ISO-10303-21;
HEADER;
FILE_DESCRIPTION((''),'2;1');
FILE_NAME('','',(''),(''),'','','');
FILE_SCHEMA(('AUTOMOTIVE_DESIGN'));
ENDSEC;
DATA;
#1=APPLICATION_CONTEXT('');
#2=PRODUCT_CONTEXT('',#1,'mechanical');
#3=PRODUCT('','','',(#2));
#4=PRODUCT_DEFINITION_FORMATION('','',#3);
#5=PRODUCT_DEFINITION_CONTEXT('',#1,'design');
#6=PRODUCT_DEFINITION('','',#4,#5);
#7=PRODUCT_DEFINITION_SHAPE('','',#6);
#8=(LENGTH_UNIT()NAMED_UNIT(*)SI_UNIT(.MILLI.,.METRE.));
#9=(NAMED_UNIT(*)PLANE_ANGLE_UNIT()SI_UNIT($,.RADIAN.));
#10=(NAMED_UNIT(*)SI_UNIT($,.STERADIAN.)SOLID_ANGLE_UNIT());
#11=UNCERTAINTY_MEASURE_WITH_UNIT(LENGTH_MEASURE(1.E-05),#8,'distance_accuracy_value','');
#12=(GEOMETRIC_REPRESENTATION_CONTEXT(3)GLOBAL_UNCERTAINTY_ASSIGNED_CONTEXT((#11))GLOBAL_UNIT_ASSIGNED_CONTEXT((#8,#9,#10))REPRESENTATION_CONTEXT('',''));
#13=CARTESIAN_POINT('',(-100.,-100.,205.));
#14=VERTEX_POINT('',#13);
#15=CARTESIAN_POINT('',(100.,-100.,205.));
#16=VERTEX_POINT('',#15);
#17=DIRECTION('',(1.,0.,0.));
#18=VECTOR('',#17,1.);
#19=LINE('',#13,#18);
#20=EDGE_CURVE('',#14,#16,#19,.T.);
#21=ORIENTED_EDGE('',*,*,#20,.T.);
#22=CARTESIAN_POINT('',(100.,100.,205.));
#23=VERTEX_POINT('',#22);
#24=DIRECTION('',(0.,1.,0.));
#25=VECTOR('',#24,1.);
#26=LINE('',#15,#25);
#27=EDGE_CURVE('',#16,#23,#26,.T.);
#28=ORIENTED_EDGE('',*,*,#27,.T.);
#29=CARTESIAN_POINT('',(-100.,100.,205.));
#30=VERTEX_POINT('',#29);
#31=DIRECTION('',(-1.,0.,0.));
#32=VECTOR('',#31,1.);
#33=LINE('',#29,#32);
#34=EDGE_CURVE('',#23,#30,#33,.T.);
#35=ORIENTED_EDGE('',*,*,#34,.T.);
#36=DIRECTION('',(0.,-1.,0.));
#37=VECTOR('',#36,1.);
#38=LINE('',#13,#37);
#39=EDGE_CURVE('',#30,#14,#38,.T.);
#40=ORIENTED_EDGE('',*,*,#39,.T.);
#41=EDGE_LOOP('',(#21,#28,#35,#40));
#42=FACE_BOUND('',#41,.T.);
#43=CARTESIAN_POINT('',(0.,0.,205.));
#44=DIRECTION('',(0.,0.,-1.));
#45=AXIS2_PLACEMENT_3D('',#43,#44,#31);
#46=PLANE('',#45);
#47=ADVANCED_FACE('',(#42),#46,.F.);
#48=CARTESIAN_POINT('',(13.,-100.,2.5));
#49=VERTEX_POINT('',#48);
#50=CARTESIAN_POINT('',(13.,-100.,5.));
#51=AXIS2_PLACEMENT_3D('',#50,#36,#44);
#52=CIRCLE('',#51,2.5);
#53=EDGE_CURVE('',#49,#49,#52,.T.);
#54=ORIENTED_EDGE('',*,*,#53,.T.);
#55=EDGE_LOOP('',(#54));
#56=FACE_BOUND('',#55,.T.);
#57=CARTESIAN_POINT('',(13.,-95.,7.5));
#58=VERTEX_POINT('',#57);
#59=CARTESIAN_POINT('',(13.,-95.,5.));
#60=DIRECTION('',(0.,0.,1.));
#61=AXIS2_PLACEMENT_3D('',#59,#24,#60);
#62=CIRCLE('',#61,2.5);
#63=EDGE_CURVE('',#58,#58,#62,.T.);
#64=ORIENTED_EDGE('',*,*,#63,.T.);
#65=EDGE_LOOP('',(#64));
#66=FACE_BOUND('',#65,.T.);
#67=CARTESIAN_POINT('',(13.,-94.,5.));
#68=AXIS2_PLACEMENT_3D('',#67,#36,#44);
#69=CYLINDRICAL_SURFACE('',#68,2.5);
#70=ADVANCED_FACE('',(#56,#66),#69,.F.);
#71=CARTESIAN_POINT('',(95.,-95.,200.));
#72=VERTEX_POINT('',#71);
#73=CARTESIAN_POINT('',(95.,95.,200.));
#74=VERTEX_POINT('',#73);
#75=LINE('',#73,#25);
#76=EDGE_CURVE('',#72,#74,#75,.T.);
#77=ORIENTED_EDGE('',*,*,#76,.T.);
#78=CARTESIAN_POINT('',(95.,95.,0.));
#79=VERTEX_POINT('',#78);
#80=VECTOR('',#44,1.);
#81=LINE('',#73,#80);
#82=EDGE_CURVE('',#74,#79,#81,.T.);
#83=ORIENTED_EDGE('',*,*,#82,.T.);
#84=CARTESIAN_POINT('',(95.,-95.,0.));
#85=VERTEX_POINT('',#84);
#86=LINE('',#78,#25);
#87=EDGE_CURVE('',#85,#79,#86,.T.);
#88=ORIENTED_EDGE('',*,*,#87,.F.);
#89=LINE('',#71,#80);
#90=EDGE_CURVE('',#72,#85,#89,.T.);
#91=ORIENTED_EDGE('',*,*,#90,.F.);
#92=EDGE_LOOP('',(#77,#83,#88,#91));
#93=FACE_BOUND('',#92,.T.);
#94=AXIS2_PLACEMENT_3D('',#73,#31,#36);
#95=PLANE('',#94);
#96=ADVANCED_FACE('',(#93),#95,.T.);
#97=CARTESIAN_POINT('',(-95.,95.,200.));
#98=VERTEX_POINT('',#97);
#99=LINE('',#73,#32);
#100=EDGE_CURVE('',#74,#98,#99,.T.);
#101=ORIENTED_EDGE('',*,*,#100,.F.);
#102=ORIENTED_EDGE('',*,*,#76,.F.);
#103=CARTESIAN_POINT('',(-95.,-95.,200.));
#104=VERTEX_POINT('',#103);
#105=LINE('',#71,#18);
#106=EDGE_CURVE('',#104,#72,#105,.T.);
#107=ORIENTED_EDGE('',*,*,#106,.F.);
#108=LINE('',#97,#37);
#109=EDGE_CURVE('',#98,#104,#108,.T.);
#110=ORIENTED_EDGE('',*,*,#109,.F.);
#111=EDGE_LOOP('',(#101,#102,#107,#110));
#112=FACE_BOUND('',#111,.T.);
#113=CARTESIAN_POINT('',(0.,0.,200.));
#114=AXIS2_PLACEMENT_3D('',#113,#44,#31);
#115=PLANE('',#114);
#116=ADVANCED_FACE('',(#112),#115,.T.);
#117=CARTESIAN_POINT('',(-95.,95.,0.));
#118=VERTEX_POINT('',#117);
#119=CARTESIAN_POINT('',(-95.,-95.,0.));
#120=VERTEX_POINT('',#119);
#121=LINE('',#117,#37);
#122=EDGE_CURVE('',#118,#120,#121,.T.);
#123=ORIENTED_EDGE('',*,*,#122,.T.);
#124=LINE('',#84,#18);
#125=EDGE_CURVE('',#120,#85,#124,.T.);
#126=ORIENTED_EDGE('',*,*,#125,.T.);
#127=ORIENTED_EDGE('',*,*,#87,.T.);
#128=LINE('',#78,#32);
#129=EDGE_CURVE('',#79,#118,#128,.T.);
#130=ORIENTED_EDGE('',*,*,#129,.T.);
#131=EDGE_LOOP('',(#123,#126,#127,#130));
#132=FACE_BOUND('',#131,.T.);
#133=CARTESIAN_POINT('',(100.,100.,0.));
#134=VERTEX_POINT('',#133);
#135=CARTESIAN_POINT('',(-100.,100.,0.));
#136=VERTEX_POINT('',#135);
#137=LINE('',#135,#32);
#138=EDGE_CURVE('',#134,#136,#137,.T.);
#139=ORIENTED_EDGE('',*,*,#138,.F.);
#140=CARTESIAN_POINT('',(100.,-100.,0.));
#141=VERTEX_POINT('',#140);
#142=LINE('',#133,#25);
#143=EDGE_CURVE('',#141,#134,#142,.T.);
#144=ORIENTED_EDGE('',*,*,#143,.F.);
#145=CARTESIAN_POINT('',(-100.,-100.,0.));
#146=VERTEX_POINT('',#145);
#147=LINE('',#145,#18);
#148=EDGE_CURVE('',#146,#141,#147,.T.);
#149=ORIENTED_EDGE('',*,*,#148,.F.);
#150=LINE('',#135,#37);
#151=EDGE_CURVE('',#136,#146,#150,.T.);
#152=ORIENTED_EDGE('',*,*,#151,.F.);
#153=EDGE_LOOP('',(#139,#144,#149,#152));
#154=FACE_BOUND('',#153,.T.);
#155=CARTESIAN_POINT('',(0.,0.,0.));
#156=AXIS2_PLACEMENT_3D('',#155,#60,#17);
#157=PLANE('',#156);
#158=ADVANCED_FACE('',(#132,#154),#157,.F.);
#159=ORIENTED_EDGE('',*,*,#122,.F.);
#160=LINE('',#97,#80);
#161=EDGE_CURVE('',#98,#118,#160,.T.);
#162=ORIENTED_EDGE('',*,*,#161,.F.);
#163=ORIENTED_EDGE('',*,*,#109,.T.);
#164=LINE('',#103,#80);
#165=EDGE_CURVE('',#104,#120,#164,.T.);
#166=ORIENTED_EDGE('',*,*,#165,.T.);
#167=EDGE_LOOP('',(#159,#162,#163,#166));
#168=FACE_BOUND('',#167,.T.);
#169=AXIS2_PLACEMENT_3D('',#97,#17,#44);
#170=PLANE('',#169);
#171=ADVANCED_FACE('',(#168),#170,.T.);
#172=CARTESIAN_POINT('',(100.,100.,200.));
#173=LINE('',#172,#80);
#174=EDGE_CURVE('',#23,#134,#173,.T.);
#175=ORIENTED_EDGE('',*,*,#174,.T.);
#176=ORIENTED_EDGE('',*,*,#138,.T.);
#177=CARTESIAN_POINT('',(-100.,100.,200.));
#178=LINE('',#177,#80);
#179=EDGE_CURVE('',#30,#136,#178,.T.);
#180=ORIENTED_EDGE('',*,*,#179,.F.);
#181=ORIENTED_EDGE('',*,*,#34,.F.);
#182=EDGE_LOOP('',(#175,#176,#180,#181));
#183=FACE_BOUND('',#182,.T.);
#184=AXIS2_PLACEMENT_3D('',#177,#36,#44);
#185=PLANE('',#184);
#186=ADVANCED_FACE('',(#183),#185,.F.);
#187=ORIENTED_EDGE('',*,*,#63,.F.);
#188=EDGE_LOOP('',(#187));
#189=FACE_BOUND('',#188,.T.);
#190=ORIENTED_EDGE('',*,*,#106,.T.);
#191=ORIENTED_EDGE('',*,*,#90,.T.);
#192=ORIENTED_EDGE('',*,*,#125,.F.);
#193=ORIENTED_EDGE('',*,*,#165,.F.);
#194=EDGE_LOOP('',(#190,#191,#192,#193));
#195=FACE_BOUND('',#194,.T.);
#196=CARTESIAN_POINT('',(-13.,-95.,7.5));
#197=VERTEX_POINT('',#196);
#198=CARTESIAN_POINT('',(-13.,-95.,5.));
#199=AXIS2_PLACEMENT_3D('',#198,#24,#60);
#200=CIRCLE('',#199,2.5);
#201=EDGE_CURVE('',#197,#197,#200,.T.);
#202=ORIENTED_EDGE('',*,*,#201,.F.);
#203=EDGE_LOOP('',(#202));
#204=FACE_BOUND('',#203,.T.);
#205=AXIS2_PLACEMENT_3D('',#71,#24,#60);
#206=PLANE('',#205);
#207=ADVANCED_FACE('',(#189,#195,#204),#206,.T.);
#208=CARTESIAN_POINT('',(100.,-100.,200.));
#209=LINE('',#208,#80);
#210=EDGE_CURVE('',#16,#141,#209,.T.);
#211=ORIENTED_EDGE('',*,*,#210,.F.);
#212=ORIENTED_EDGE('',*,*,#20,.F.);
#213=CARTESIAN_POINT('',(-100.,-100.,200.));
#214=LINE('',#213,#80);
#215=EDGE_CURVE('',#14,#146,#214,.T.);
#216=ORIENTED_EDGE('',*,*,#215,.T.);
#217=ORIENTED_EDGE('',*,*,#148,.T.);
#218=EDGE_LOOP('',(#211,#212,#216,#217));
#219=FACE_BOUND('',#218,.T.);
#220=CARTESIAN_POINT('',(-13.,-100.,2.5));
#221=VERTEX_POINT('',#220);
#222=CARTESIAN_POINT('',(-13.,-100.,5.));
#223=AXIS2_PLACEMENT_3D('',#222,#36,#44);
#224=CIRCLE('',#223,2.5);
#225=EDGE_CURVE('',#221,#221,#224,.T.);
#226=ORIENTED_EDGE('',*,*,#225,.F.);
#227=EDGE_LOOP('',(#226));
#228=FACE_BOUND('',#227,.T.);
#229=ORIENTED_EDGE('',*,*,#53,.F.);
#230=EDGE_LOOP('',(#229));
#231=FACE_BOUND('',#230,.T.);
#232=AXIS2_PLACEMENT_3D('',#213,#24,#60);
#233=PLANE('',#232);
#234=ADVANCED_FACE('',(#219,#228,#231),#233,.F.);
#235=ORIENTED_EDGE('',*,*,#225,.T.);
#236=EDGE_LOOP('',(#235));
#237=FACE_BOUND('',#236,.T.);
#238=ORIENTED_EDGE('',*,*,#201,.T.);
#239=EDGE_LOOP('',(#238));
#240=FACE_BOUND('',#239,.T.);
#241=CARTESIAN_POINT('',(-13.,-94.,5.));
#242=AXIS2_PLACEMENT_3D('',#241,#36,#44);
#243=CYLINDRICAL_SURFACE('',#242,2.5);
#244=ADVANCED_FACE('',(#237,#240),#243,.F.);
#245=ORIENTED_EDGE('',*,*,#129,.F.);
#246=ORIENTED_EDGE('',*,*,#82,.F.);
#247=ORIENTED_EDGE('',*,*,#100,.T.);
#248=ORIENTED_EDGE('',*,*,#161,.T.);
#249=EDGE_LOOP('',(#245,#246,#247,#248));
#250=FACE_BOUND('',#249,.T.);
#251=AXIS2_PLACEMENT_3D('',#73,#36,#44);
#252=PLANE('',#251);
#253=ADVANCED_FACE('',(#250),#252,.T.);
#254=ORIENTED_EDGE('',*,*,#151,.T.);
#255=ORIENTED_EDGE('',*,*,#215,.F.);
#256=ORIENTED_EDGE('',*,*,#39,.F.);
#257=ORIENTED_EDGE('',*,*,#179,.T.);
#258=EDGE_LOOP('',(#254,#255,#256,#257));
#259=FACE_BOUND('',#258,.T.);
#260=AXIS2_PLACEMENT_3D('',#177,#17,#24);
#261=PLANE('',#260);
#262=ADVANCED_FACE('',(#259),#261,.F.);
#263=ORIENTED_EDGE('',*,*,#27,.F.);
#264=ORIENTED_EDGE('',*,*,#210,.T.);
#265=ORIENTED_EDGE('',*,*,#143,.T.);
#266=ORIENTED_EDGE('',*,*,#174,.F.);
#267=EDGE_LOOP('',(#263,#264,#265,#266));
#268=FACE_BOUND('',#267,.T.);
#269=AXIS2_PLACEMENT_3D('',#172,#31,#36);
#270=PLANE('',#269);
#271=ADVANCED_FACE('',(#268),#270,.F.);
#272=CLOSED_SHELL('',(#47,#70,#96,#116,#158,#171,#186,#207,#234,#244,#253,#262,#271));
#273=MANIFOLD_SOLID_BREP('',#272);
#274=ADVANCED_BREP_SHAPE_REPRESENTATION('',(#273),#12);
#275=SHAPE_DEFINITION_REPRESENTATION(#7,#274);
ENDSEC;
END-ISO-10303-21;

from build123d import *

# Parameters (mm, degrees)
SKETCH1_W           = 200
SKETCH1_H           = 200
SKETCH1_W_2         = 190
SKETCH1_H_2         = 190
BOSS_EXTRUDE1_DEPTH = 200
SKETCH2_W           = 200
SKETCH2_H           = 200
BOSS_EXTRUDE2_DEPTH = 5
SKETCH3_R           = 2.5
CUT_EXTRUDE1_DEPTH  = 6


with BuildPart() as part:
    # Sketch1 → Boss-Extrude1 (new body)
    with BuildSketch(Plane.XY):
        Rectangle(SKETCH1_W, SKETCH1_H)
        Rectangle(SKETCH1_W_2, SKETCH1_H_2, mode=Mode.SUBTRACT)
    extrude(amount=BOSS_EXTRUDE1_DEPTH)

    # Sketch2 → Boss-Extrude2 (add)
    with BuildSketch(Plane.XY.offset(200)):
        Rectangle(SKETCH2_W, SKETCH2_H)
    extrude(amount=BOSS_EXTRUDE2_DEPTH)

    # Sketch3 → Cut-Extrude1 (cut)
    with BuildSketch(Plane.XZ.offset(100)):
        with Locations((13, 5)):
            Circle(SKETCH3_R)
        with Locations((-13, 5)):
            Circle(SKETCH3_R)
    extrude(amount=-CUT_EXTRUDE1_DEPTH, mode=Mode.SUBTRACT)


solid = part.part
